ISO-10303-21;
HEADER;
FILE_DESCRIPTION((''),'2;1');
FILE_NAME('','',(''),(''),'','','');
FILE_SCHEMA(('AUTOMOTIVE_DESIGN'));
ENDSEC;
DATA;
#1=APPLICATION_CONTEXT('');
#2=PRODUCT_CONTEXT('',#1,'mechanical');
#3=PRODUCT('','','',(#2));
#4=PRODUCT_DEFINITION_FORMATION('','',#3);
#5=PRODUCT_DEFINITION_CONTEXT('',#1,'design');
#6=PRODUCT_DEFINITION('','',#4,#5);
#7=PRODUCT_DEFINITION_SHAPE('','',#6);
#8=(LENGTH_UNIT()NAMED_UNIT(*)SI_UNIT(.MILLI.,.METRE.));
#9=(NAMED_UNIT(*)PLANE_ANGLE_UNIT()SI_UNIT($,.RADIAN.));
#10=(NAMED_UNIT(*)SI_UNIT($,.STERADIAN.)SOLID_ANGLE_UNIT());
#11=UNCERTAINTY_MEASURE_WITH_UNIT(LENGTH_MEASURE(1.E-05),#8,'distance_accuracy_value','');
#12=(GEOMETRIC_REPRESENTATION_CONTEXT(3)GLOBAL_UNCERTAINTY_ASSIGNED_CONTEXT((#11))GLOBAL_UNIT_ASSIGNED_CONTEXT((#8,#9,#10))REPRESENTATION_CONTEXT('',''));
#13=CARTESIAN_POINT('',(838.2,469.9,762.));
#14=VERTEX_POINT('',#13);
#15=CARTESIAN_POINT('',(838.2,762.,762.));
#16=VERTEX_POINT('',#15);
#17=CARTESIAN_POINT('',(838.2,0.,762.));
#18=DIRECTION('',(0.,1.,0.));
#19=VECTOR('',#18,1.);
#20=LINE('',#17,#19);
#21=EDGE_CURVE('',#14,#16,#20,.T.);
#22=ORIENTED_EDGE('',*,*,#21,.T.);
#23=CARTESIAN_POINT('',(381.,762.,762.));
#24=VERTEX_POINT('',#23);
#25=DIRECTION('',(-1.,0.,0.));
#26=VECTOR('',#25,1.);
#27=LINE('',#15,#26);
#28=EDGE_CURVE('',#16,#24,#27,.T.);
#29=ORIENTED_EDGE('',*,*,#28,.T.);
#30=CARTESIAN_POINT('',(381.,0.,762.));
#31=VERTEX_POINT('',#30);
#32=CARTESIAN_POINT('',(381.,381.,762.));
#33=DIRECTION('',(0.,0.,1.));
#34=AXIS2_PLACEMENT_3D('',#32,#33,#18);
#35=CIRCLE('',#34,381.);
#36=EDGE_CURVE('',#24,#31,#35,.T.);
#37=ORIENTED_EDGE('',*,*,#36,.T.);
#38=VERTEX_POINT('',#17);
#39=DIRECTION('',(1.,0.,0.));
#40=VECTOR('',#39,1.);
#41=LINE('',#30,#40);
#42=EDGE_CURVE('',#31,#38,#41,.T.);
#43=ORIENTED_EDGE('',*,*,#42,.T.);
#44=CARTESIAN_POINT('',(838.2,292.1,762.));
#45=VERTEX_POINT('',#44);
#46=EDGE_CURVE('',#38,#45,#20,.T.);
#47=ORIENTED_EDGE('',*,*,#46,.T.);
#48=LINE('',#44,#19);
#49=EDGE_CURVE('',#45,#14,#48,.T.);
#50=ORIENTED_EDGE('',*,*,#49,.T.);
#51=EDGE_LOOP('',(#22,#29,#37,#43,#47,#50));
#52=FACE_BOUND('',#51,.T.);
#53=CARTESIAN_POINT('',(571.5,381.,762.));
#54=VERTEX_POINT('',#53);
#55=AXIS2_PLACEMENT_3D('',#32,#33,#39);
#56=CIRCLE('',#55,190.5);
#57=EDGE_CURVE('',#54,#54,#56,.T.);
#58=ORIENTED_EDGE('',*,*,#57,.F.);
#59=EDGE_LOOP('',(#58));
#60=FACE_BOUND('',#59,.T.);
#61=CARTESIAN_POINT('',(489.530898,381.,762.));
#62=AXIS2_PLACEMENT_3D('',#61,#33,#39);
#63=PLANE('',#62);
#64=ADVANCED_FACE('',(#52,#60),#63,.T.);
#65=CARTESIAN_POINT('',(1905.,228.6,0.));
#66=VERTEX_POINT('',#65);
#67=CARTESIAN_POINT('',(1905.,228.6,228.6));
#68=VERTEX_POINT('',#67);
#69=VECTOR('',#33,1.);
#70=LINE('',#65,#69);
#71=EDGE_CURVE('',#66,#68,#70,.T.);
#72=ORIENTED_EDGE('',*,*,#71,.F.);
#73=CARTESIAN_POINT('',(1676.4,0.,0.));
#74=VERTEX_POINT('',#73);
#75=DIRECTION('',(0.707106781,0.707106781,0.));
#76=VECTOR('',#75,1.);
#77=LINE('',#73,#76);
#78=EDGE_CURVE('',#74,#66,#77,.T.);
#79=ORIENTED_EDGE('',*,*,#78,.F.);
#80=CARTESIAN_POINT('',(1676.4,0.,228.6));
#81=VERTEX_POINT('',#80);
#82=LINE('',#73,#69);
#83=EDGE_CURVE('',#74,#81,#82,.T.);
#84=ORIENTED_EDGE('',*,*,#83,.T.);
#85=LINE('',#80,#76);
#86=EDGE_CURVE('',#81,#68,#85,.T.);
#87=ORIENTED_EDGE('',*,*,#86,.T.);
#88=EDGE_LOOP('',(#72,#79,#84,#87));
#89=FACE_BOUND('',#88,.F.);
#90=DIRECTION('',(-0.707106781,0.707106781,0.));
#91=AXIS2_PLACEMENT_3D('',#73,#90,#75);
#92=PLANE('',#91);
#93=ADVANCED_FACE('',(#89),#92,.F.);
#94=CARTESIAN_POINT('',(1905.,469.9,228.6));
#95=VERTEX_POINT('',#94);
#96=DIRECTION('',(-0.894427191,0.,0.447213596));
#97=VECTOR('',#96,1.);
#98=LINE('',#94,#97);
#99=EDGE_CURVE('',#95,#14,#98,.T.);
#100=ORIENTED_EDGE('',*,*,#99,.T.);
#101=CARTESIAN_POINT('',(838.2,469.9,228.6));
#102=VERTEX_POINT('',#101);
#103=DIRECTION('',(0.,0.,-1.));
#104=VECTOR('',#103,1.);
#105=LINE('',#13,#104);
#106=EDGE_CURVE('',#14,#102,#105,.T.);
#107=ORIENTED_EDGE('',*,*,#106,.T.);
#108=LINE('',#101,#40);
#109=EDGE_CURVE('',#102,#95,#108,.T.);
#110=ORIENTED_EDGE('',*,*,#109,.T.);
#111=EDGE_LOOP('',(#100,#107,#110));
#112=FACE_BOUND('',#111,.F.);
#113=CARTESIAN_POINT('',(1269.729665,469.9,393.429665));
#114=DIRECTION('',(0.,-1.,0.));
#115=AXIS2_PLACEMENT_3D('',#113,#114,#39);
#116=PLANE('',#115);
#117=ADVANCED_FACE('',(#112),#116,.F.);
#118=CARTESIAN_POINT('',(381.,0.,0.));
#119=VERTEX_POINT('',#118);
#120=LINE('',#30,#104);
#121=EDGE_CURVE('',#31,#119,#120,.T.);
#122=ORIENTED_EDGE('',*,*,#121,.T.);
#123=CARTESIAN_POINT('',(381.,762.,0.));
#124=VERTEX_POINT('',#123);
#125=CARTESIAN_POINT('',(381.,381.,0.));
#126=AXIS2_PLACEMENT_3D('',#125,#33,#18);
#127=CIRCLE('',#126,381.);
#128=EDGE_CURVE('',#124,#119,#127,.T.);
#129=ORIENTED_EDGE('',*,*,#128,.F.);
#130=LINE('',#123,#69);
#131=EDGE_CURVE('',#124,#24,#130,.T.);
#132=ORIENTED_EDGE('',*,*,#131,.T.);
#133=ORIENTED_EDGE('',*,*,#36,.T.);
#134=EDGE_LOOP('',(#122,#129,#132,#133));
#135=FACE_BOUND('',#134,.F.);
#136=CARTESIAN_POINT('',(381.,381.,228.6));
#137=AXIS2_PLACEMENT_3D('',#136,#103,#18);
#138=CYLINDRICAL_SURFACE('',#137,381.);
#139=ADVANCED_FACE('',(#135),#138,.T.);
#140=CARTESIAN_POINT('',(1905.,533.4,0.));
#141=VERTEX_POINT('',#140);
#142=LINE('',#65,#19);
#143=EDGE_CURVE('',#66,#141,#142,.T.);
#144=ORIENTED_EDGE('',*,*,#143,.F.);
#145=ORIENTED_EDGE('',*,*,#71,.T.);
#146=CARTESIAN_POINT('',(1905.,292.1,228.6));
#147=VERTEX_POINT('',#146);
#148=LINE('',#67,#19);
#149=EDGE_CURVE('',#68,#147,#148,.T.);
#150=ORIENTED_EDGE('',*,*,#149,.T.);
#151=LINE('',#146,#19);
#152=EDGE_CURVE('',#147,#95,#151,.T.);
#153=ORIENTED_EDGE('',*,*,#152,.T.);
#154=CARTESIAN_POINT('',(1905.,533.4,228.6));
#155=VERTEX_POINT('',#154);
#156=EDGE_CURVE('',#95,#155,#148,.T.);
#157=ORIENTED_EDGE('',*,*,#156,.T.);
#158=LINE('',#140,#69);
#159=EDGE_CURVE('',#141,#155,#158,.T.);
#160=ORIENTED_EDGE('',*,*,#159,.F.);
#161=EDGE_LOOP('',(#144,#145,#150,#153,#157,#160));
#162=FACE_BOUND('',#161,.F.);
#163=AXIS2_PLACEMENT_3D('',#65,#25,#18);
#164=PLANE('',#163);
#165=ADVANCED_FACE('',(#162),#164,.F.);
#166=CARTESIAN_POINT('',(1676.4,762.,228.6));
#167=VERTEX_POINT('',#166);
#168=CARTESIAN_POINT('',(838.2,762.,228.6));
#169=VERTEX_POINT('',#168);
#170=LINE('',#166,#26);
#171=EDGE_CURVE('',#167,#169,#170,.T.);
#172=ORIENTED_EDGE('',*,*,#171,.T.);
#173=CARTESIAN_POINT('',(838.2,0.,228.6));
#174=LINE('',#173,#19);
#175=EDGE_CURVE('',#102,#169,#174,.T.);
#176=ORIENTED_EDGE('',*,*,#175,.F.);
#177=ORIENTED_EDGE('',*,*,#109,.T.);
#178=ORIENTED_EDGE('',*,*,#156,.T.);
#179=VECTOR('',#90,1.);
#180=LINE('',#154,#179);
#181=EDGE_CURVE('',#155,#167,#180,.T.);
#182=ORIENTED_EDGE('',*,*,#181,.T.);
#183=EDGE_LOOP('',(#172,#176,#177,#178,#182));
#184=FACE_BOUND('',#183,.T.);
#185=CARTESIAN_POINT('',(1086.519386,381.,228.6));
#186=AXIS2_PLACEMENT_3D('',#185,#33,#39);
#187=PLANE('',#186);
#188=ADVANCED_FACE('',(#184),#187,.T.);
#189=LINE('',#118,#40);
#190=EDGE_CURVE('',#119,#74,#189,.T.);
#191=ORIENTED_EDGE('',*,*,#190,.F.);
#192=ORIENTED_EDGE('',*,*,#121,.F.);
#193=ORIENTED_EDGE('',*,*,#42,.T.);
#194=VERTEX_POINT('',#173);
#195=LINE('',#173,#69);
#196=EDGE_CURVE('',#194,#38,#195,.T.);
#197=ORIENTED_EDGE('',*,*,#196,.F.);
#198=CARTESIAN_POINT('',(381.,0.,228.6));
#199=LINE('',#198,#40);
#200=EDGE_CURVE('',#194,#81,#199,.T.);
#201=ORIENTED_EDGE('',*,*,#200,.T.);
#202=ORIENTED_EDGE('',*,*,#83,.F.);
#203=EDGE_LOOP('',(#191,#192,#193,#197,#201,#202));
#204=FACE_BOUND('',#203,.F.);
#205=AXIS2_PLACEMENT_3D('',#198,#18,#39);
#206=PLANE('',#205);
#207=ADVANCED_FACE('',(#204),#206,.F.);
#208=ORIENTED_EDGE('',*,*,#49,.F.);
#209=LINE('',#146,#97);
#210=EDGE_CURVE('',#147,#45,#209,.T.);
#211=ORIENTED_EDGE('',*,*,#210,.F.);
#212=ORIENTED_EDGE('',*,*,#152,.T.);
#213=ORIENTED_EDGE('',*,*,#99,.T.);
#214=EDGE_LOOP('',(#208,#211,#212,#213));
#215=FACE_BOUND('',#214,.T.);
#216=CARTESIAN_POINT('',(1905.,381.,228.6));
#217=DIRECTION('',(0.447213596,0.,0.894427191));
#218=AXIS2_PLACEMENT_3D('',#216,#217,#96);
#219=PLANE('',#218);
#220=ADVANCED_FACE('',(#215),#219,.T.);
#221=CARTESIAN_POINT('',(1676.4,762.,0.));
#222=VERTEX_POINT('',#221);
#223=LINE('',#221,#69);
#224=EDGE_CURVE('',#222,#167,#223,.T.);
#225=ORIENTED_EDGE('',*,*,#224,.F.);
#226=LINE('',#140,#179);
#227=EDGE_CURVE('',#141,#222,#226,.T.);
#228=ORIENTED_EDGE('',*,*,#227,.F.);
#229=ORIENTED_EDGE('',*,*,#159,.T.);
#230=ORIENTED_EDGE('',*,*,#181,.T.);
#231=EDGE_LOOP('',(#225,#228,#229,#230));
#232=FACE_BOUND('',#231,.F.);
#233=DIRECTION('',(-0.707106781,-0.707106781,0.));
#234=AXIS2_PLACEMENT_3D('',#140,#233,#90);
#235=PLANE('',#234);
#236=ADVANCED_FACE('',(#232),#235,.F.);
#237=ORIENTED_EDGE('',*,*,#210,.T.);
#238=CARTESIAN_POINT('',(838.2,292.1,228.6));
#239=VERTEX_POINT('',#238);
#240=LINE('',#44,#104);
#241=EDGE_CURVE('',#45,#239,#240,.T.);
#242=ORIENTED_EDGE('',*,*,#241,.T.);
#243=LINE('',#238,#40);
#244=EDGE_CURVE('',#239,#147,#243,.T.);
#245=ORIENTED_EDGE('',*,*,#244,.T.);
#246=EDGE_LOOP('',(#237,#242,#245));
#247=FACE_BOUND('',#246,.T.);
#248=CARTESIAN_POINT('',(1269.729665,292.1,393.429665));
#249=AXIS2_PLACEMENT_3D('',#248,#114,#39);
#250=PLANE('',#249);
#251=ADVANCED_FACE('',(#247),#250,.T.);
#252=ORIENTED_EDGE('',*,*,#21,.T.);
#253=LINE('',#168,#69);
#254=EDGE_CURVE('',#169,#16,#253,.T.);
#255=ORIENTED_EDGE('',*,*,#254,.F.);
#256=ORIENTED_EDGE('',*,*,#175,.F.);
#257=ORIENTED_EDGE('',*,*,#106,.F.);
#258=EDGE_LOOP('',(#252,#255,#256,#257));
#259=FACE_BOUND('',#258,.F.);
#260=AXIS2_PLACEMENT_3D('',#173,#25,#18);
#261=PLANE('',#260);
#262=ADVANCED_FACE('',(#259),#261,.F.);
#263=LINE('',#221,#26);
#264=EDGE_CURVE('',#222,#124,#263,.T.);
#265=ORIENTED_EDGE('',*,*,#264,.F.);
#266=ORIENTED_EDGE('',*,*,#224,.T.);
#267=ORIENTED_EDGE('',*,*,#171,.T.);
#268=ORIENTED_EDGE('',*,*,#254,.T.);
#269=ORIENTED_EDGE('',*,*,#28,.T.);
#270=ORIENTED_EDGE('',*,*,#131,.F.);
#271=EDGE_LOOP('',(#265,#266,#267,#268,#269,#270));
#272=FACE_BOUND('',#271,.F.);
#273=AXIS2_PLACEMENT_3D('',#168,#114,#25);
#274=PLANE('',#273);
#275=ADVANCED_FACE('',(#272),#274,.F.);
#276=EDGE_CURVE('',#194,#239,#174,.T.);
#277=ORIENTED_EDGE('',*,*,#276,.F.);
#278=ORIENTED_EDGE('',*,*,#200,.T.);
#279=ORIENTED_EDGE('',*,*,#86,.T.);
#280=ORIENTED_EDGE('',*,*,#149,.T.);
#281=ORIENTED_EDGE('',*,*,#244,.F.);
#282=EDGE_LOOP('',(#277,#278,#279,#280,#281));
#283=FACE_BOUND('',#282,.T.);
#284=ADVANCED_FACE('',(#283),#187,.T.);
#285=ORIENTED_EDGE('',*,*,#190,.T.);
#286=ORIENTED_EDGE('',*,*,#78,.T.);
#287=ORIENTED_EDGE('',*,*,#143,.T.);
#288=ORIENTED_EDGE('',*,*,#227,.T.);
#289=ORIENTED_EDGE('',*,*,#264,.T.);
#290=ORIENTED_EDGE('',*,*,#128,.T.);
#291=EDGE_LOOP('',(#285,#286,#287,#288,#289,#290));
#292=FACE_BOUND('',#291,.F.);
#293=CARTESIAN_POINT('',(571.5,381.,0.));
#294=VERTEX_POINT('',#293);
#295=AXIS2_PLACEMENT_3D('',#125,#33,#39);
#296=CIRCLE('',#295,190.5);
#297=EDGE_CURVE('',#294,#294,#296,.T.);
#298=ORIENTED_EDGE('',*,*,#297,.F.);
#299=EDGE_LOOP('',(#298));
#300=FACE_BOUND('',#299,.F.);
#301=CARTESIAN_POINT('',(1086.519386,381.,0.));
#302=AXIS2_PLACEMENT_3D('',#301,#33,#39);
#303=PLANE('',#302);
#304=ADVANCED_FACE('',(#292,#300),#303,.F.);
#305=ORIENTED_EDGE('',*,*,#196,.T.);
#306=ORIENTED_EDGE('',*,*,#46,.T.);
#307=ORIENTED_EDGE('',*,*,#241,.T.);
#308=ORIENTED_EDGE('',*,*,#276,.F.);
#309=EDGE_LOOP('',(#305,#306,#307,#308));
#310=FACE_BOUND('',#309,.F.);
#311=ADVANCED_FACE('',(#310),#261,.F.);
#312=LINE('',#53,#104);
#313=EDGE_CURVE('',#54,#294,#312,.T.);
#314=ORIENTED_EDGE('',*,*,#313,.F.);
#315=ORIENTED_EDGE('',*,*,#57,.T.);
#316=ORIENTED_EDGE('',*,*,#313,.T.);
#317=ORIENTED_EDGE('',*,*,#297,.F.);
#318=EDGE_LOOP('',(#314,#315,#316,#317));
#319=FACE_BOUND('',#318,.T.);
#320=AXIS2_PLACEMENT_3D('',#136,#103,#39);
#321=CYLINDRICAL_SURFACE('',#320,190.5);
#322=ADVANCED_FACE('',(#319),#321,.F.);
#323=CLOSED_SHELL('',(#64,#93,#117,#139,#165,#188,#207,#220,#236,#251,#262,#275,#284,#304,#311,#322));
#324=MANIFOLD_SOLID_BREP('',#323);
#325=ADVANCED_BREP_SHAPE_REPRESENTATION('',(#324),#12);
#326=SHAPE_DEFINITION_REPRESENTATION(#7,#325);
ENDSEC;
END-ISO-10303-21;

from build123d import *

# Parameters (mm, degrees)
F0_R     = 190.5
F1_DEPTH = 228.6
F2_R     = 190.5
F3_DEPTH = 533.4
F6_DEPTH = 88.9


with BuildPart() as f1:
    # F0 (on Top) → F1 (new body)
    with BuildSketch(Plane.XY):
        with BuildLine():
            Line((381, 0), (1676.4, 0))
            Line((1676.4, 0), (1905, 228.6))
            Line((1905, 228.6), (1905, 533.4))
            Line((1905, 533.4), (1676.4, 762))
            Line((1676.4, 762), (381, 762))
            ThreePointArc((381, 762), (650.4076836321, 650.4076836321), (762, 381))
            ThreePointArc((762, 381), (650.4076836321, 111.5923163679), (381, 0))
        make_face()
        with BuildLine():
            ThreePointArc((0, 381), (111.5923163679, 111.5923163679), (381, 0))
            ThreePointArc((381, 0), (650.4076836321, 111.5923163679), (762, 381))
            ThreePointArc((762, 381), (650.4076836321, 650.4076836321), (381, 762))
            ThreePointArc((381, 762), (111.5923163679, 650.4076836321), (0, 381))
        make_face()
        with Locations((381, 381)):
            Circle(F0_R, mode=Mode.SUBTRACT)
    extrude(amount=F1_DEPTH)

    # F2 (on face) → F3 (join)
    with BuildSketch(Plane.XY.offset(228.6)):
        with BuildLine():
            Line((838.2, 0), (838.2, 762))
            Line((838.2, 762), (381, 762))
            ThreePointArc((381, 762), (0, 381), (381, 0))
            Line((381, 0), (838.2, 0))
        make_face()
        with Locations((381, 381)):
            Circle(F2_R, mode=Mode.SUBTRACT)
    extrude(amount=F3_DEPTH)

    # F5 (on mid) → F6 (join, symmetric)
    with BuildSketch(Plane.XZ.offset(-381)):
        Polygon((838.2, 762), (838.2, 228.6), (1676.4, 228.6), (1905, 228.6), align=None)
    extrude(amount=F6_DEPTH, both=True)


solid = f1.part
